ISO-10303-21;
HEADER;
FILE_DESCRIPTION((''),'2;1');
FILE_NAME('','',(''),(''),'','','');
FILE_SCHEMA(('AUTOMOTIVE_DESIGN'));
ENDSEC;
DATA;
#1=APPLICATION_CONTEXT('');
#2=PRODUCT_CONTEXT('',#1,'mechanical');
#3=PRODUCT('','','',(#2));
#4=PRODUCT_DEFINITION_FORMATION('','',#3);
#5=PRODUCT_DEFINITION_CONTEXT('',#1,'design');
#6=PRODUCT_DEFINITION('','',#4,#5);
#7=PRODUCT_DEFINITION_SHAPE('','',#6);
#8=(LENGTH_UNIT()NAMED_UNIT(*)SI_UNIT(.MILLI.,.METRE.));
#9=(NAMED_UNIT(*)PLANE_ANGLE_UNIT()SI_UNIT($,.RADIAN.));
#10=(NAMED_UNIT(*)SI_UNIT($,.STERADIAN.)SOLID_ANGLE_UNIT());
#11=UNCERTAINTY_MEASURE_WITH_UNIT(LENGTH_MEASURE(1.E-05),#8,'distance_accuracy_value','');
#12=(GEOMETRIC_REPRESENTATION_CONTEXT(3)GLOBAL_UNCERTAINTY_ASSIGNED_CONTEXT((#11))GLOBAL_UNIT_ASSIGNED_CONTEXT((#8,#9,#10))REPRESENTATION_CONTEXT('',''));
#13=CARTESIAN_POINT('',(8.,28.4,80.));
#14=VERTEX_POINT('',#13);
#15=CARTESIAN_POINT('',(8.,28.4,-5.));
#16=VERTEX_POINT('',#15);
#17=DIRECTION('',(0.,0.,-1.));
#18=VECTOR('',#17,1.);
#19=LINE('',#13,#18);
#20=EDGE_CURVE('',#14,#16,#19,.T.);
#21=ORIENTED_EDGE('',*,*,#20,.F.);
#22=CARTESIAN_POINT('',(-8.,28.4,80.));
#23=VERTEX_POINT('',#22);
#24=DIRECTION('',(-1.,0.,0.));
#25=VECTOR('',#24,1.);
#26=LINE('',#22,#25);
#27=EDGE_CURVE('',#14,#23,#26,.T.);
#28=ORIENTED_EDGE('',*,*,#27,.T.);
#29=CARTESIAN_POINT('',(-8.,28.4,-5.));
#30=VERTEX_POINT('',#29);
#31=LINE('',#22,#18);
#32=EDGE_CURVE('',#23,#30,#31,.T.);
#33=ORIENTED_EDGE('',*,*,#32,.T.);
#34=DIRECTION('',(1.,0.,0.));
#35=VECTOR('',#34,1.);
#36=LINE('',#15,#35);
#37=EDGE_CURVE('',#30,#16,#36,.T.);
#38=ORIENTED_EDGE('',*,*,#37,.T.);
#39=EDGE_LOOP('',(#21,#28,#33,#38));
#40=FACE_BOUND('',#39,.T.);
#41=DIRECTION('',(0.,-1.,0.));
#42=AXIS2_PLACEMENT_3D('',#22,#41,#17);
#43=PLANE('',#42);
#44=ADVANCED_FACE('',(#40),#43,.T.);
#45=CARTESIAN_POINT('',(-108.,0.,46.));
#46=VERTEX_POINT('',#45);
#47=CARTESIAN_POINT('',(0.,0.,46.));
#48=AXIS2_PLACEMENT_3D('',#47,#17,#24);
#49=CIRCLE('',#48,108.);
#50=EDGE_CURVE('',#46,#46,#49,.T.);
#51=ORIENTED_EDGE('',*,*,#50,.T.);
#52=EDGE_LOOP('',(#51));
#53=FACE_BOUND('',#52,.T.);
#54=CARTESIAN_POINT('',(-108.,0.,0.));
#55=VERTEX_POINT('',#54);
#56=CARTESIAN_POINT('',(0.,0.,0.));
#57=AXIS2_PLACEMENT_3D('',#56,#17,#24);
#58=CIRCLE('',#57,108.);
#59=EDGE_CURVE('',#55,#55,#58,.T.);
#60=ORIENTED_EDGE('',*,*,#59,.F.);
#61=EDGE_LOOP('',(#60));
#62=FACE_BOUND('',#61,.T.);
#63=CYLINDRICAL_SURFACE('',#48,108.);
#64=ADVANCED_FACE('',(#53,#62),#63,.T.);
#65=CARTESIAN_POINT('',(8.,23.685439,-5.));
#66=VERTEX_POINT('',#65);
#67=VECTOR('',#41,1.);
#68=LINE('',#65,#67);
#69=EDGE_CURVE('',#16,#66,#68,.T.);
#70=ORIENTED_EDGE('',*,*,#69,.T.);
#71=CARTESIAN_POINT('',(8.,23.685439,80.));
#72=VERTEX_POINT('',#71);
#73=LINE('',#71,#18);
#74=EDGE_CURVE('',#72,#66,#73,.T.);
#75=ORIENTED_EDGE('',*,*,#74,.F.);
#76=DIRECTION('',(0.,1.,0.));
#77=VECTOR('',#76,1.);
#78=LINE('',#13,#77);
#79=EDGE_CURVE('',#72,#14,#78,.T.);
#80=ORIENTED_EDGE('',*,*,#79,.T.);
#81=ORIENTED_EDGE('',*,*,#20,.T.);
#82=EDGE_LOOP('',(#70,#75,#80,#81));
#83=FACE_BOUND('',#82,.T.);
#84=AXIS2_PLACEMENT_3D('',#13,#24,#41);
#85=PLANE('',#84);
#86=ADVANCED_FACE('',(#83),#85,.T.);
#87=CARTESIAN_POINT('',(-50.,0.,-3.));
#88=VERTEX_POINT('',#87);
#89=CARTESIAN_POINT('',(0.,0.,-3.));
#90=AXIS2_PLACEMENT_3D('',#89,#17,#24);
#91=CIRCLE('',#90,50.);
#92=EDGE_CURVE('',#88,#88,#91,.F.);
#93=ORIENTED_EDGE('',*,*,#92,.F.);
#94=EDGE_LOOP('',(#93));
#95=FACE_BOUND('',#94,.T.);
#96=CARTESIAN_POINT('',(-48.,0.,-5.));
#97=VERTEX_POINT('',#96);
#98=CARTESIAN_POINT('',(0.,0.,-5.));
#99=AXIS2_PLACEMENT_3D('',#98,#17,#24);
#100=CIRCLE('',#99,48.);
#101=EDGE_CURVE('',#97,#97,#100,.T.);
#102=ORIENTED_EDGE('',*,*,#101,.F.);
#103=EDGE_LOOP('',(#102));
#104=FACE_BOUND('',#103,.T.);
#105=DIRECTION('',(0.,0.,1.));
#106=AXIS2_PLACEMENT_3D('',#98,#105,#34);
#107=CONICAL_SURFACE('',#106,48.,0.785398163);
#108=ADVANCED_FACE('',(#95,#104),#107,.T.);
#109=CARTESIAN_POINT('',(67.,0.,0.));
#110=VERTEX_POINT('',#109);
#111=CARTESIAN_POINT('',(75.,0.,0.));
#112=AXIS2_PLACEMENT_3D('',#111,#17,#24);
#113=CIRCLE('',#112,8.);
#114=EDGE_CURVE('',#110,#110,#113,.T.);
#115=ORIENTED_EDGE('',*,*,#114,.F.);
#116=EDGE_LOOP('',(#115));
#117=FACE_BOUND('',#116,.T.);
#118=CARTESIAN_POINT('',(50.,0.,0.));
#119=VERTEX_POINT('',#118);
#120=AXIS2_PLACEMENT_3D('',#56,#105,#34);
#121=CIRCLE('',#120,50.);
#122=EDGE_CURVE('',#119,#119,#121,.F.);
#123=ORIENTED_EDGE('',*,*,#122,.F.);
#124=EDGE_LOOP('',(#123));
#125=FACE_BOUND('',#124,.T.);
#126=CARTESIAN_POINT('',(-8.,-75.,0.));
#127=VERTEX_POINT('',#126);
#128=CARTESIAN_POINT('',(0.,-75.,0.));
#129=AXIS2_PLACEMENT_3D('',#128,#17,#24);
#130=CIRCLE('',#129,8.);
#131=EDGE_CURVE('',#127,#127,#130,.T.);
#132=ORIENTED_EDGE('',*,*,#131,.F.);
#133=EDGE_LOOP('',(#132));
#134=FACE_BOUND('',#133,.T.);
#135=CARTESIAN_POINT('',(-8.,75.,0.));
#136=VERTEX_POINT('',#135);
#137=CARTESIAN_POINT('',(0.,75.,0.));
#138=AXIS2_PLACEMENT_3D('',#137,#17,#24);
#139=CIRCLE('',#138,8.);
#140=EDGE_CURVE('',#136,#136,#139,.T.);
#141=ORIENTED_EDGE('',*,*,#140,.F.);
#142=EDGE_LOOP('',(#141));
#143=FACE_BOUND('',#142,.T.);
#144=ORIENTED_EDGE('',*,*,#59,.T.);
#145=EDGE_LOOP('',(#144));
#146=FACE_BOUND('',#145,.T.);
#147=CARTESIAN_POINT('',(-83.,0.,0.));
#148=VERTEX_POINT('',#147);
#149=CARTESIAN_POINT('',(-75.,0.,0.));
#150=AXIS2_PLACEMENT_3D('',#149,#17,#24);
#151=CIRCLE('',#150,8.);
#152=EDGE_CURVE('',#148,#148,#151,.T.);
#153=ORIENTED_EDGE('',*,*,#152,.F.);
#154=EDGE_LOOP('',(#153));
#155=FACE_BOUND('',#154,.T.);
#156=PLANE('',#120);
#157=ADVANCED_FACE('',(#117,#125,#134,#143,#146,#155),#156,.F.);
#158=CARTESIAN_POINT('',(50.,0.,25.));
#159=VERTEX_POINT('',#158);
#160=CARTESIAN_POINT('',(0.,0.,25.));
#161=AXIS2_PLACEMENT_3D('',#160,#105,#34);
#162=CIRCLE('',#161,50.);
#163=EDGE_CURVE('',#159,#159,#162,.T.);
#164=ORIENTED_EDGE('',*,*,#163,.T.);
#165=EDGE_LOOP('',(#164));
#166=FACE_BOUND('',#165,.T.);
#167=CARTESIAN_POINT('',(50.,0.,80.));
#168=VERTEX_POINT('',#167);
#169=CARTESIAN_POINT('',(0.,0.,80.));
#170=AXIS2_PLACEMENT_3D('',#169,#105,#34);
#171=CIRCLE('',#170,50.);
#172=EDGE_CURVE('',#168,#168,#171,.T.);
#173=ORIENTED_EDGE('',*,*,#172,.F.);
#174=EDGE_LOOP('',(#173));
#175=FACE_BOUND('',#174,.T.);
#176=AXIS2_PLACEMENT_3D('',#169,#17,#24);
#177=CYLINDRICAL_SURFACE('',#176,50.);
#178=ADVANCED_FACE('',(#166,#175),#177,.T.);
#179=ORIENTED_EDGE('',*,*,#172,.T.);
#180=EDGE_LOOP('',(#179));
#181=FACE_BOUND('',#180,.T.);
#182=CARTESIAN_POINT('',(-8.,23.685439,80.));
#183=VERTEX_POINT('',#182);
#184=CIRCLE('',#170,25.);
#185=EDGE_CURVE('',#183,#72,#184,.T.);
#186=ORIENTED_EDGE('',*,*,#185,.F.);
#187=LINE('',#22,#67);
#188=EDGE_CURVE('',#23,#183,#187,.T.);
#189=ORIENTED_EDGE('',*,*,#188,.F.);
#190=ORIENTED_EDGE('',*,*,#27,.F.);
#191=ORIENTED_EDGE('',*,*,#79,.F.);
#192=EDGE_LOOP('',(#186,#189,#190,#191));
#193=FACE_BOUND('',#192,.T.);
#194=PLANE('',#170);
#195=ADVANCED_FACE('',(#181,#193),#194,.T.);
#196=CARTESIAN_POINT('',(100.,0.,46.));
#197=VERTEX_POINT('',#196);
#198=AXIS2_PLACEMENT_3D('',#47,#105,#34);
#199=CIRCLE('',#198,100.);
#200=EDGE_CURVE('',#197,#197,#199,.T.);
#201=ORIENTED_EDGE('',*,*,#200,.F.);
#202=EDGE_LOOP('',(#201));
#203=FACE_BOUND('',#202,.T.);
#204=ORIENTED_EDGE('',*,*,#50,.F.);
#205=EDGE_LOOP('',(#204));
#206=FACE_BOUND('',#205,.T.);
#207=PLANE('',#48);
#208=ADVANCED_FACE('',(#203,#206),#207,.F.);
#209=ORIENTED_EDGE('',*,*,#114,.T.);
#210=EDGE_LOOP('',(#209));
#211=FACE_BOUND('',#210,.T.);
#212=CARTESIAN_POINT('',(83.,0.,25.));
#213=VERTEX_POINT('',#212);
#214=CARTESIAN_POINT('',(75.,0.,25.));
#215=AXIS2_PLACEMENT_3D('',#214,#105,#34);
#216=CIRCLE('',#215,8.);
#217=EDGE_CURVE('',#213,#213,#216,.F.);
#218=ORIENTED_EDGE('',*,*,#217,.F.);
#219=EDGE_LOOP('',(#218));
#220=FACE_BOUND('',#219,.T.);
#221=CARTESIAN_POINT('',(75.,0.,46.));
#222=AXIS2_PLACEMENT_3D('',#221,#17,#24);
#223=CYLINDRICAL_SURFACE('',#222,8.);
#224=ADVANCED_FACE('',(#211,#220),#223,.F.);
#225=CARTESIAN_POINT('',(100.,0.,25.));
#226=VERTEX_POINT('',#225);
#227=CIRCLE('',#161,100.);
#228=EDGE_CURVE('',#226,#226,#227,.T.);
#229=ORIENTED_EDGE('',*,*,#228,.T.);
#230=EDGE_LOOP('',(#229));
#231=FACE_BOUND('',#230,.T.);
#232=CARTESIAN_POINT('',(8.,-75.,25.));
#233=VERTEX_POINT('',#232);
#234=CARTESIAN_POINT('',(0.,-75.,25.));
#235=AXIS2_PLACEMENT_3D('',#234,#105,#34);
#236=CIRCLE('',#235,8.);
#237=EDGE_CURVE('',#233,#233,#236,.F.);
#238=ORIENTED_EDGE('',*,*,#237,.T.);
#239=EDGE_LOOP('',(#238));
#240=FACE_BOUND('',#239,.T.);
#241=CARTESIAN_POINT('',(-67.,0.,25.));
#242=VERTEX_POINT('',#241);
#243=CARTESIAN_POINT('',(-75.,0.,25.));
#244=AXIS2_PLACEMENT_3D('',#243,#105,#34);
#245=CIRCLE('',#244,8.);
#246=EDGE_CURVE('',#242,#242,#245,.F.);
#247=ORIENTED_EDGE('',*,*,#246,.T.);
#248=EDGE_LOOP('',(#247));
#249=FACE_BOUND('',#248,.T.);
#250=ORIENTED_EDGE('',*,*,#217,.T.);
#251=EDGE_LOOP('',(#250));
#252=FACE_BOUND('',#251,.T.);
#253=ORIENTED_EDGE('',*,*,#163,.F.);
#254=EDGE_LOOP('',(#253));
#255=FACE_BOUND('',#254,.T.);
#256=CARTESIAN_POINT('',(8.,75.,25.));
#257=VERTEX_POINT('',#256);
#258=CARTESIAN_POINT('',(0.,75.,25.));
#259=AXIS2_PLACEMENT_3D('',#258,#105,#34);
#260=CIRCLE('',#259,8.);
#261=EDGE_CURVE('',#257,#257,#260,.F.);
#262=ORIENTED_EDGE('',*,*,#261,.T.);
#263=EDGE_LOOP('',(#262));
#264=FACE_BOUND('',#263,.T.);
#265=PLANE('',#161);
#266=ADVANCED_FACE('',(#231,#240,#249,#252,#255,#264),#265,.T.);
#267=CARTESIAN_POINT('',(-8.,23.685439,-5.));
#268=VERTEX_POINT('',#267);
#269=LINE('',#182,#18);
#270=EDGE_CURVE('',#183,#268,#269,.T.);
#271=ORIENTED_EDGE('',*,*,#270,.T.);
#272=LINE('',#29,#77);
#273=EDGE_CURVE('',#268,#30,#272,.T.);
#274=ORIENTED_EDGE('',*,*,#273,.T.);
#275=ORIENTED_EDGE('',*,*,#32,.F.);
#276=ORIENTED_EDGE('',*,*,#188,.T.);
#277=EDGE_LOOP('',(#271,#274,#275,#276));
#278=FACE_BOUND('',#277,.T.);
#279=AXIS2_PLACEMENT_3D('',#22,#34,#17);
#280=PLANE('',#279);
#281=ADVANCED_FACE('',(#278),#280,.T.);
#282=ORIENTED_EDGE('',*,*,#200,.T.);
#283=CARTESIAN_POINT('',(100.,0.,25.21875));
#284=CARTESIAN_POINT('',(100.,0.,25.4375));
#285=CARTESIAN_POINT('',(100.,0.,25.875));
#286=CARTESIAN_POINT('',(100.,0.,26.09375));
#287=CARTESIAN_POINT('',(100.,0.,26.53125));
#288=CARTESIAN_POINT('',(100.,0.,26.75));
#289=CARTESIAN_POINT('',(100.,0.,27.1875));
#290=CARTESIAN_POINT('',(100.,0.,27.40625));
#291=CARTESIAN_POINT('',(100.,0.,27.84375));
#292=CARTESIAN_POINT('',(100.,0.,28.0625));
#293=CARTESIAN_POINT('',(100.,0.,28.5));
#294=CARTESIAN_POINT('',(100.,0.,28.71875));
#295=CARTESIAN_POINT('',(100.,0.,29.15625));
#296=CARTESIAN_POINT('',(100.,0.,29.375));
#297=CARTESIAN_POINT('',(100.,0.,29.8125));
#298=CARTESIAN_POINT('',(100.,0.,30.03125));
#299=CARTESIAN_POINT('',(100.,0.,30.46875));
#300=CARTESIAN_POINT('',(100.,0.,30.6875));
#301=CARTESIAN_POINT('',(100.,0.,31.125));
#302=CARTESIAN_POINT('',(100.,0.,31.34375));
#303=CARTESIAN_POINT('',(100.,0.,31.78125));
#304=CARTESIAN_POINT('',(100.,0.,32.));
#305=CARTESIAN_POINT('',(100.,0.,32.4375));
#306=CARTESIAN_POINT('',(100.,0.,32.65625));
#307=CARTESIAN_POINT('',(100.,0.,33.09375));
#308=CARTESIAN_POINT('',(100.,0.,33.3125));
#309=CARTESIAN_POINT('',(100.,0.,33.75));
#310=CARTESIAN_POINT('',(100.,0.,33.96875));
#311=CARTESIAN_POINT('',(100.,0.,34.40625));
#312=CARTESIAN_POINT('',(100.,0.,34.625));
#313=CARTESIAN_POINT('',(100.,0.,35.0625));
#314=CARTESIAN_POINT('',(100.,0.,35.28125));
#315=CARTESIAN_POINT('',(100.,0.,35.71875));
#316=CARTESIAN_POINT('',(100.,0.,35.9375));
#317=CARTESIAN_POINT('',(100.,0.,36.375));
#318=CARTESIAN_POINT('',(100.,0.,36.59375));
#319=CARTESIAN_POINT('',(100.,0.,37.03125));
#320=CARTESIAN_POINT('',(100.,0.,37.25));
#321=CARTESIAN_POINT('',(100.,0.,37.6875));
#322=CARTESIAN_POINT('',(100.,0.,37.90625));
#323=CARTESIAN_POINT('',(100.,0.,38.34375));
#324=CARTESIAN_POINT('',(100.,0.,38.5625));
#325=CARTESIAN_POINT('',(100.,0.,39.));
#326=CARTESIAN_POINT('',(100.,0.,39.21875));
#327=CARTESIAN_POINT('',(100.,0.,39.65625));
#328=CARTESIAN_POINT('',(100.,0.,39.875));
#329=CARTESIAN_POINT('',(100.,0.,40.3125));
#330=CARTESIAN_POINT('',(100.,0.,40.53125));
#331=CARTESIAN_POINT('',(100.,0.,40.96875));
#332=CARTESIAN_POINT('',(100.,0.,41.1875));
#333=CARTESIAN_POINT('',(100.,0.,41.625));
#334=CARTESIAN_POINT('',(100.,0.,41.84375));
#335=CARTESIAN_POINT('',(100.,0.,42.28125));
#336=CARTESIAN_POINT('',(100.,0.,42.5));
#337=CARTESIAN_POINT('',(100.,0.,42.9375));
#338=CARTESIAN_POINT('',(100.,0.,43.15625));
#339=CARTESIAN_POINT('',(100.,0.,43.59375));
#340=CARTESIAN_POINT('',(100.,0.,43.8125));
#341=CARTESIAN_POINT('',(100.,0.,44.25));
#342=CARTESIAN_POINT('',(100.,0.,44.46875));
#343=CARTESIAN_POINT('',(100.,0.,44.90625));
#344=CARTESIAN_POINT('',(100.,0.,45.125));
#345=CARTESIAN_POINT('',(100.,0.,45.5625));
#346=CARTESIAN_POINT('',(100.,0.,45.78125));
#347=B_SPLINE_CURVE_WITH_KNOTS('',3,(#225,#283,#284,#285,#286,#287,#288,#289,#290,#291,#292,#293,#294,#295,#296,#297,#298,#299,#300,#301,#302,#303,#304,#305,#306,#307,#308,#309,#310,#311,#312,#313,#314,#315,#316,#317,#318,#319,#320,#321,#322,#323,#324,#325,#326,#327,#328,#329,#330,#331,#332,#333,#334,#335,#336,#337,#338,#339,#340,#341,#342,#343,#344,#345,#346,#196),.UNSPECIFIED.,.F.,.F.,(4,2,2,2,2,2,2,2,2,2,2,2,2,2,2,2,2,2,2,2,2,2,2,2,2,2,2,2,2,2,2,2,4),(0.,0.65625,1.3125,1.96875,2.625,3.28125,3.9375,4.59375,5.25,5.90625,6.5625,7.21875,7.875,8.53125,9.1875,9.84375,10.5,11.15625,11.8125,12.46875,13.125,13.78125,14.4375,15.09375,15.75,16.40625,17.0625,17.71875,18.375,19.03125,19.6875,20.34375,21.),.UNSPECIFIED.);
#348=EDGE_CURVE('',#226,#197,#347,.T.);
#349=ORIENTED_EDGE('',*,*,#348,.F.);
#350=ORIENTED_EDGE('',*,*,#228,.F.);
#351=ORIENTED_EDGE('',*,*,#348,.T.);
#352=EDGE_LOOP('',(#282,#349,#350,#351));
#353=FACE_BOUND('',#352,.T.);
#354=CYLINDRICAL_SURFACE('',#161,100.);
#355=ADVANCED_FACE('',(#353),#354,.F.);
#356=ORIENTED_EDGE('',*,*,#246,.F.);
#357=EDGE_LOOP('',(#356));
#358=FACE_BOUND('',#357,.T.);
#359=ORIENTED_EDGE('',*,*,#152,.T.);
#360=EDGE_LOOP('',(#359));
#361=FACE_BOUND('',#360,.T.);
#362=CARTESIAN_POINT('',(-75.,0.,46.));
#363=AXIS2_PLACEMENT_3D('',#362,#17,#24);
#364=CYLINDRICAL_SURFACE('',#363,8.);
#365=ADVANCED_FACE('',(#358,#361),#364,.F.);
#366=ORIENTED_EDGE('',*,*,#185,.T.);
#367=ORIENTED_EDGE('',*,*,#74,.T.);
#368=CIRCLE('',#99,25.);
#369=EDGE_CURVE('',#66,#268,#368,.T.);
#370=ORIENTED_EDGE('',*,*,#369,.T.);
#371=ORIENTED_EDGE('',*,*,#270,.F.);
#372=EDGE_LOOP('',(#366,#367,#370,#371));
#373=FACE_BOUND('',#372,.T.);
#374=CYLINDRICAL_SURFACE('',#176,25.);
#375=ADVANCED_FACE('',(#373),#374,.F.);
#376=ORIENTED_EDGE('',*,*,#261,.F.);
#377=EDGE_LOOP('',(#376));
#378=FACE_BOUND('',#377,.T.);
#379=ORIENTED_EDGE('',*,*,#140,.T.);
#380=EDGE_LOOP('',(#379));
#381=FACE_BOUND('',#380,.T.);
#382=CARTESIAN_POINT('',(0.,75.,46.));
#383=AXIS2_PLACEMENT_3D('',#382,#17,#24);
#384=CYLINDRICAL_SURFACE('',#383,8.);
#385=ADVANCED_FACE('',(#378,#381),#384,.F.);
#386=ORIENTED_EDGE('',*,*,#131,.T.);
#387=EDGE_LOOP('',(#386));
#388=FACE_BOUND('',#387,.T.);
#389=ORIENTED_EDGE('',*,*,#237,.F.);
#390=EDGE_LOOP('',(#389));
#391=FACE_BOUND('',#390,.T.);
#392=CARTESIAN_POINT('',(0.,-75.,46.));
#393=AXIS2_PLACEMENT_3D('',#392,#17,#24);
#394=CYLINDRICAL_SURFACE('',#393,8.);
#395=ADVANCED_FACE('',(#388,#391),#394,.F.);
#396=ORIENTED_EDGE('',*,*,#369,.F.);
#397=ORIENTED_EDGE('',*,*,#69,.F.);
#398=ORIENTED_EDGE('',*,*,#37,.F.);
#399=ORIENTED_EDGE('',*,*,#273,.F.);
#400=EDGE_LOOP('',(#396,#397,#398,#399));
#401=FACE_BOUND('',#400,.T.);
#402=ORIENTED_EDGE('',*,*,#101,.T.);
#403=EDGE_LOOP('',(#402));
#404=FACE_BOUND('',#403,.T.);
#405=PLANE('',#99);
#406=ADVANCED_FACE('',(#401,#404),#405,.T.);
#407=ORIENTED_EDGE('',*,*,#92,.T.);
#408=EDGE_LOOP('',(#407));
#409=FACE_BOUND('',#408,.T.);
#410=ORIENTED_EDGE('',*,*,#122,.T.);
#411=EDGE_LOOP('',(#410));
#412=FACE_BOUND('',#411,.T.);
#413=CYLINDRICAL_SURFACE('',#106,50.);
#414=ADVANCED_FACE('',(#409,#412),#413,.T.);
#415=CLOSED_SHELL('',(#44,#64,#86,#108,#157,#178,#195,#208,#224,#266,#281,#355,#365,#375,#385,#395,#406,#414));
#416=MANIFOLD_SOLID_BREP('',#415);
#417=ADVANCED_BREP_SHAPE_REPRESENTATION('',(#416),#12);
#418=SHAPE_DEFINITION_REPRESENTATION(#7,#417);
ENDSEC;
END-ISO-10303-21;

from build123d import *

# Parameters (mm, degrees)
SKETCH1_R           = 50
BOSS_EXTRUDE1_DEPTH = 80
SKETCH2_R           = 108
SKETCH2_R_2         = 50
SKETCH2_R_3         = 8
BOSS_EXTRUDE3_DEPTH = 46
BOSS_EXTRUDE4_START = 5
SKETCH3_R           = 50
BOSS_EXTRUDE4_DEPTH = 5
CHAMFER1_SIZE       = 2
CUT_EXTRUDE1_START  = -21
SKETCH6_R           = 100
SKETCH6_R_2         = 50
CUT_EXTRUDE1_DEPTH  = 21


with BuildPart() as part:
    # Sketch1 → Boss-Extrude1 (new body)
    with BuildSketch(Plane.XY):
        Circle(SKETCH1_R)
        with BuildLine():
            Line((-8, 28.4), (8, 28.4))
            Line((8, 28.4), (8, 23.685438565))
            ThreePointArc((8, 23.685438565), (0, -25), (-8, 23.685438565))
            Line((-8, 23.685438565), (-8, 28.4))
        make_face(mode=Mode.SUBTRACT)
    extrude(amount=BOSS_EXTRUDE1_DEPTH)

    # Sketch2 → Boss-Extrude3 (add)
    with BuildSketch(Plane(origin=(0, 0, 0), x_dir=(-1, 0, 0), z_dir=(0, 0, -1))):
        Circle(SKETCH2_R)
        Circle(SKETCH2_R_2, mode=Mode.SUBTRACT)
        with Locations((0, 75)):
            Circle(SKETCH2_R_3, mode=Mode.SUBTRACT)
        with Locations((75, 0)):
            Circle(SKETCH2_R_3, mode=Mode.SUBTRACT)
        with Locations((0, -75)):
            Circle(SKETCH2_R_3, mode=Mode.SUBTRACT)
        with Locations((-75, 0)):
            Circle(SKETCH2_R_3, mode=Mode.SUBTRACT)
    extrude(amount=-BOSS_EXTRUDE3_DEPTH)

    # Sketch3 → Boss-Extrude4 (add)
    with BuildSketch(Plane(origin=(0, 0, 0), x_dir=(-1, 0, 0), z_dir=(0, 0, -1)).offset(BOSS_EXTRUDE4_START)):
        Circle(SKETCH3_R)
        with BuildLine():
            Line((-8, 23.685438565), (-8, 28.4))
            Line((-8, 28.4), (8, 28.4))
            Line((8, 28.4), (8, 23.685438565))
            ThreePointArc((8, 23.685438565), (0, -25), (-8, 23.685438565))
        make_face(mode=Mode.SUBTRACT)
    extrude(amount=-BOSS_EXTRUDE4_DEPTH)

    # Chamfer1
    chamfer1_edges = [part.edges().sort_by_distance(p)[0] for p in [
        (50, 0, -5),
    ]]
    chamfer(chamfer1_edges, length=CHAMFER1_SIZE)

    # Sketch6 → Cut-Extrude1 (cut)
    with BuildSketch(Plane.XY.offset(46).offset(CUT_EXTRUDE1_START)):
        Circle(SKETCH6_R)
        Circle(SKETCH6_R_2, mode=Mode.SUBTRACT)
    extrude(amount=CUT_EXTRUDE1_DEPTH, mode=Mode.SUBTRACT)


solid = part.part
